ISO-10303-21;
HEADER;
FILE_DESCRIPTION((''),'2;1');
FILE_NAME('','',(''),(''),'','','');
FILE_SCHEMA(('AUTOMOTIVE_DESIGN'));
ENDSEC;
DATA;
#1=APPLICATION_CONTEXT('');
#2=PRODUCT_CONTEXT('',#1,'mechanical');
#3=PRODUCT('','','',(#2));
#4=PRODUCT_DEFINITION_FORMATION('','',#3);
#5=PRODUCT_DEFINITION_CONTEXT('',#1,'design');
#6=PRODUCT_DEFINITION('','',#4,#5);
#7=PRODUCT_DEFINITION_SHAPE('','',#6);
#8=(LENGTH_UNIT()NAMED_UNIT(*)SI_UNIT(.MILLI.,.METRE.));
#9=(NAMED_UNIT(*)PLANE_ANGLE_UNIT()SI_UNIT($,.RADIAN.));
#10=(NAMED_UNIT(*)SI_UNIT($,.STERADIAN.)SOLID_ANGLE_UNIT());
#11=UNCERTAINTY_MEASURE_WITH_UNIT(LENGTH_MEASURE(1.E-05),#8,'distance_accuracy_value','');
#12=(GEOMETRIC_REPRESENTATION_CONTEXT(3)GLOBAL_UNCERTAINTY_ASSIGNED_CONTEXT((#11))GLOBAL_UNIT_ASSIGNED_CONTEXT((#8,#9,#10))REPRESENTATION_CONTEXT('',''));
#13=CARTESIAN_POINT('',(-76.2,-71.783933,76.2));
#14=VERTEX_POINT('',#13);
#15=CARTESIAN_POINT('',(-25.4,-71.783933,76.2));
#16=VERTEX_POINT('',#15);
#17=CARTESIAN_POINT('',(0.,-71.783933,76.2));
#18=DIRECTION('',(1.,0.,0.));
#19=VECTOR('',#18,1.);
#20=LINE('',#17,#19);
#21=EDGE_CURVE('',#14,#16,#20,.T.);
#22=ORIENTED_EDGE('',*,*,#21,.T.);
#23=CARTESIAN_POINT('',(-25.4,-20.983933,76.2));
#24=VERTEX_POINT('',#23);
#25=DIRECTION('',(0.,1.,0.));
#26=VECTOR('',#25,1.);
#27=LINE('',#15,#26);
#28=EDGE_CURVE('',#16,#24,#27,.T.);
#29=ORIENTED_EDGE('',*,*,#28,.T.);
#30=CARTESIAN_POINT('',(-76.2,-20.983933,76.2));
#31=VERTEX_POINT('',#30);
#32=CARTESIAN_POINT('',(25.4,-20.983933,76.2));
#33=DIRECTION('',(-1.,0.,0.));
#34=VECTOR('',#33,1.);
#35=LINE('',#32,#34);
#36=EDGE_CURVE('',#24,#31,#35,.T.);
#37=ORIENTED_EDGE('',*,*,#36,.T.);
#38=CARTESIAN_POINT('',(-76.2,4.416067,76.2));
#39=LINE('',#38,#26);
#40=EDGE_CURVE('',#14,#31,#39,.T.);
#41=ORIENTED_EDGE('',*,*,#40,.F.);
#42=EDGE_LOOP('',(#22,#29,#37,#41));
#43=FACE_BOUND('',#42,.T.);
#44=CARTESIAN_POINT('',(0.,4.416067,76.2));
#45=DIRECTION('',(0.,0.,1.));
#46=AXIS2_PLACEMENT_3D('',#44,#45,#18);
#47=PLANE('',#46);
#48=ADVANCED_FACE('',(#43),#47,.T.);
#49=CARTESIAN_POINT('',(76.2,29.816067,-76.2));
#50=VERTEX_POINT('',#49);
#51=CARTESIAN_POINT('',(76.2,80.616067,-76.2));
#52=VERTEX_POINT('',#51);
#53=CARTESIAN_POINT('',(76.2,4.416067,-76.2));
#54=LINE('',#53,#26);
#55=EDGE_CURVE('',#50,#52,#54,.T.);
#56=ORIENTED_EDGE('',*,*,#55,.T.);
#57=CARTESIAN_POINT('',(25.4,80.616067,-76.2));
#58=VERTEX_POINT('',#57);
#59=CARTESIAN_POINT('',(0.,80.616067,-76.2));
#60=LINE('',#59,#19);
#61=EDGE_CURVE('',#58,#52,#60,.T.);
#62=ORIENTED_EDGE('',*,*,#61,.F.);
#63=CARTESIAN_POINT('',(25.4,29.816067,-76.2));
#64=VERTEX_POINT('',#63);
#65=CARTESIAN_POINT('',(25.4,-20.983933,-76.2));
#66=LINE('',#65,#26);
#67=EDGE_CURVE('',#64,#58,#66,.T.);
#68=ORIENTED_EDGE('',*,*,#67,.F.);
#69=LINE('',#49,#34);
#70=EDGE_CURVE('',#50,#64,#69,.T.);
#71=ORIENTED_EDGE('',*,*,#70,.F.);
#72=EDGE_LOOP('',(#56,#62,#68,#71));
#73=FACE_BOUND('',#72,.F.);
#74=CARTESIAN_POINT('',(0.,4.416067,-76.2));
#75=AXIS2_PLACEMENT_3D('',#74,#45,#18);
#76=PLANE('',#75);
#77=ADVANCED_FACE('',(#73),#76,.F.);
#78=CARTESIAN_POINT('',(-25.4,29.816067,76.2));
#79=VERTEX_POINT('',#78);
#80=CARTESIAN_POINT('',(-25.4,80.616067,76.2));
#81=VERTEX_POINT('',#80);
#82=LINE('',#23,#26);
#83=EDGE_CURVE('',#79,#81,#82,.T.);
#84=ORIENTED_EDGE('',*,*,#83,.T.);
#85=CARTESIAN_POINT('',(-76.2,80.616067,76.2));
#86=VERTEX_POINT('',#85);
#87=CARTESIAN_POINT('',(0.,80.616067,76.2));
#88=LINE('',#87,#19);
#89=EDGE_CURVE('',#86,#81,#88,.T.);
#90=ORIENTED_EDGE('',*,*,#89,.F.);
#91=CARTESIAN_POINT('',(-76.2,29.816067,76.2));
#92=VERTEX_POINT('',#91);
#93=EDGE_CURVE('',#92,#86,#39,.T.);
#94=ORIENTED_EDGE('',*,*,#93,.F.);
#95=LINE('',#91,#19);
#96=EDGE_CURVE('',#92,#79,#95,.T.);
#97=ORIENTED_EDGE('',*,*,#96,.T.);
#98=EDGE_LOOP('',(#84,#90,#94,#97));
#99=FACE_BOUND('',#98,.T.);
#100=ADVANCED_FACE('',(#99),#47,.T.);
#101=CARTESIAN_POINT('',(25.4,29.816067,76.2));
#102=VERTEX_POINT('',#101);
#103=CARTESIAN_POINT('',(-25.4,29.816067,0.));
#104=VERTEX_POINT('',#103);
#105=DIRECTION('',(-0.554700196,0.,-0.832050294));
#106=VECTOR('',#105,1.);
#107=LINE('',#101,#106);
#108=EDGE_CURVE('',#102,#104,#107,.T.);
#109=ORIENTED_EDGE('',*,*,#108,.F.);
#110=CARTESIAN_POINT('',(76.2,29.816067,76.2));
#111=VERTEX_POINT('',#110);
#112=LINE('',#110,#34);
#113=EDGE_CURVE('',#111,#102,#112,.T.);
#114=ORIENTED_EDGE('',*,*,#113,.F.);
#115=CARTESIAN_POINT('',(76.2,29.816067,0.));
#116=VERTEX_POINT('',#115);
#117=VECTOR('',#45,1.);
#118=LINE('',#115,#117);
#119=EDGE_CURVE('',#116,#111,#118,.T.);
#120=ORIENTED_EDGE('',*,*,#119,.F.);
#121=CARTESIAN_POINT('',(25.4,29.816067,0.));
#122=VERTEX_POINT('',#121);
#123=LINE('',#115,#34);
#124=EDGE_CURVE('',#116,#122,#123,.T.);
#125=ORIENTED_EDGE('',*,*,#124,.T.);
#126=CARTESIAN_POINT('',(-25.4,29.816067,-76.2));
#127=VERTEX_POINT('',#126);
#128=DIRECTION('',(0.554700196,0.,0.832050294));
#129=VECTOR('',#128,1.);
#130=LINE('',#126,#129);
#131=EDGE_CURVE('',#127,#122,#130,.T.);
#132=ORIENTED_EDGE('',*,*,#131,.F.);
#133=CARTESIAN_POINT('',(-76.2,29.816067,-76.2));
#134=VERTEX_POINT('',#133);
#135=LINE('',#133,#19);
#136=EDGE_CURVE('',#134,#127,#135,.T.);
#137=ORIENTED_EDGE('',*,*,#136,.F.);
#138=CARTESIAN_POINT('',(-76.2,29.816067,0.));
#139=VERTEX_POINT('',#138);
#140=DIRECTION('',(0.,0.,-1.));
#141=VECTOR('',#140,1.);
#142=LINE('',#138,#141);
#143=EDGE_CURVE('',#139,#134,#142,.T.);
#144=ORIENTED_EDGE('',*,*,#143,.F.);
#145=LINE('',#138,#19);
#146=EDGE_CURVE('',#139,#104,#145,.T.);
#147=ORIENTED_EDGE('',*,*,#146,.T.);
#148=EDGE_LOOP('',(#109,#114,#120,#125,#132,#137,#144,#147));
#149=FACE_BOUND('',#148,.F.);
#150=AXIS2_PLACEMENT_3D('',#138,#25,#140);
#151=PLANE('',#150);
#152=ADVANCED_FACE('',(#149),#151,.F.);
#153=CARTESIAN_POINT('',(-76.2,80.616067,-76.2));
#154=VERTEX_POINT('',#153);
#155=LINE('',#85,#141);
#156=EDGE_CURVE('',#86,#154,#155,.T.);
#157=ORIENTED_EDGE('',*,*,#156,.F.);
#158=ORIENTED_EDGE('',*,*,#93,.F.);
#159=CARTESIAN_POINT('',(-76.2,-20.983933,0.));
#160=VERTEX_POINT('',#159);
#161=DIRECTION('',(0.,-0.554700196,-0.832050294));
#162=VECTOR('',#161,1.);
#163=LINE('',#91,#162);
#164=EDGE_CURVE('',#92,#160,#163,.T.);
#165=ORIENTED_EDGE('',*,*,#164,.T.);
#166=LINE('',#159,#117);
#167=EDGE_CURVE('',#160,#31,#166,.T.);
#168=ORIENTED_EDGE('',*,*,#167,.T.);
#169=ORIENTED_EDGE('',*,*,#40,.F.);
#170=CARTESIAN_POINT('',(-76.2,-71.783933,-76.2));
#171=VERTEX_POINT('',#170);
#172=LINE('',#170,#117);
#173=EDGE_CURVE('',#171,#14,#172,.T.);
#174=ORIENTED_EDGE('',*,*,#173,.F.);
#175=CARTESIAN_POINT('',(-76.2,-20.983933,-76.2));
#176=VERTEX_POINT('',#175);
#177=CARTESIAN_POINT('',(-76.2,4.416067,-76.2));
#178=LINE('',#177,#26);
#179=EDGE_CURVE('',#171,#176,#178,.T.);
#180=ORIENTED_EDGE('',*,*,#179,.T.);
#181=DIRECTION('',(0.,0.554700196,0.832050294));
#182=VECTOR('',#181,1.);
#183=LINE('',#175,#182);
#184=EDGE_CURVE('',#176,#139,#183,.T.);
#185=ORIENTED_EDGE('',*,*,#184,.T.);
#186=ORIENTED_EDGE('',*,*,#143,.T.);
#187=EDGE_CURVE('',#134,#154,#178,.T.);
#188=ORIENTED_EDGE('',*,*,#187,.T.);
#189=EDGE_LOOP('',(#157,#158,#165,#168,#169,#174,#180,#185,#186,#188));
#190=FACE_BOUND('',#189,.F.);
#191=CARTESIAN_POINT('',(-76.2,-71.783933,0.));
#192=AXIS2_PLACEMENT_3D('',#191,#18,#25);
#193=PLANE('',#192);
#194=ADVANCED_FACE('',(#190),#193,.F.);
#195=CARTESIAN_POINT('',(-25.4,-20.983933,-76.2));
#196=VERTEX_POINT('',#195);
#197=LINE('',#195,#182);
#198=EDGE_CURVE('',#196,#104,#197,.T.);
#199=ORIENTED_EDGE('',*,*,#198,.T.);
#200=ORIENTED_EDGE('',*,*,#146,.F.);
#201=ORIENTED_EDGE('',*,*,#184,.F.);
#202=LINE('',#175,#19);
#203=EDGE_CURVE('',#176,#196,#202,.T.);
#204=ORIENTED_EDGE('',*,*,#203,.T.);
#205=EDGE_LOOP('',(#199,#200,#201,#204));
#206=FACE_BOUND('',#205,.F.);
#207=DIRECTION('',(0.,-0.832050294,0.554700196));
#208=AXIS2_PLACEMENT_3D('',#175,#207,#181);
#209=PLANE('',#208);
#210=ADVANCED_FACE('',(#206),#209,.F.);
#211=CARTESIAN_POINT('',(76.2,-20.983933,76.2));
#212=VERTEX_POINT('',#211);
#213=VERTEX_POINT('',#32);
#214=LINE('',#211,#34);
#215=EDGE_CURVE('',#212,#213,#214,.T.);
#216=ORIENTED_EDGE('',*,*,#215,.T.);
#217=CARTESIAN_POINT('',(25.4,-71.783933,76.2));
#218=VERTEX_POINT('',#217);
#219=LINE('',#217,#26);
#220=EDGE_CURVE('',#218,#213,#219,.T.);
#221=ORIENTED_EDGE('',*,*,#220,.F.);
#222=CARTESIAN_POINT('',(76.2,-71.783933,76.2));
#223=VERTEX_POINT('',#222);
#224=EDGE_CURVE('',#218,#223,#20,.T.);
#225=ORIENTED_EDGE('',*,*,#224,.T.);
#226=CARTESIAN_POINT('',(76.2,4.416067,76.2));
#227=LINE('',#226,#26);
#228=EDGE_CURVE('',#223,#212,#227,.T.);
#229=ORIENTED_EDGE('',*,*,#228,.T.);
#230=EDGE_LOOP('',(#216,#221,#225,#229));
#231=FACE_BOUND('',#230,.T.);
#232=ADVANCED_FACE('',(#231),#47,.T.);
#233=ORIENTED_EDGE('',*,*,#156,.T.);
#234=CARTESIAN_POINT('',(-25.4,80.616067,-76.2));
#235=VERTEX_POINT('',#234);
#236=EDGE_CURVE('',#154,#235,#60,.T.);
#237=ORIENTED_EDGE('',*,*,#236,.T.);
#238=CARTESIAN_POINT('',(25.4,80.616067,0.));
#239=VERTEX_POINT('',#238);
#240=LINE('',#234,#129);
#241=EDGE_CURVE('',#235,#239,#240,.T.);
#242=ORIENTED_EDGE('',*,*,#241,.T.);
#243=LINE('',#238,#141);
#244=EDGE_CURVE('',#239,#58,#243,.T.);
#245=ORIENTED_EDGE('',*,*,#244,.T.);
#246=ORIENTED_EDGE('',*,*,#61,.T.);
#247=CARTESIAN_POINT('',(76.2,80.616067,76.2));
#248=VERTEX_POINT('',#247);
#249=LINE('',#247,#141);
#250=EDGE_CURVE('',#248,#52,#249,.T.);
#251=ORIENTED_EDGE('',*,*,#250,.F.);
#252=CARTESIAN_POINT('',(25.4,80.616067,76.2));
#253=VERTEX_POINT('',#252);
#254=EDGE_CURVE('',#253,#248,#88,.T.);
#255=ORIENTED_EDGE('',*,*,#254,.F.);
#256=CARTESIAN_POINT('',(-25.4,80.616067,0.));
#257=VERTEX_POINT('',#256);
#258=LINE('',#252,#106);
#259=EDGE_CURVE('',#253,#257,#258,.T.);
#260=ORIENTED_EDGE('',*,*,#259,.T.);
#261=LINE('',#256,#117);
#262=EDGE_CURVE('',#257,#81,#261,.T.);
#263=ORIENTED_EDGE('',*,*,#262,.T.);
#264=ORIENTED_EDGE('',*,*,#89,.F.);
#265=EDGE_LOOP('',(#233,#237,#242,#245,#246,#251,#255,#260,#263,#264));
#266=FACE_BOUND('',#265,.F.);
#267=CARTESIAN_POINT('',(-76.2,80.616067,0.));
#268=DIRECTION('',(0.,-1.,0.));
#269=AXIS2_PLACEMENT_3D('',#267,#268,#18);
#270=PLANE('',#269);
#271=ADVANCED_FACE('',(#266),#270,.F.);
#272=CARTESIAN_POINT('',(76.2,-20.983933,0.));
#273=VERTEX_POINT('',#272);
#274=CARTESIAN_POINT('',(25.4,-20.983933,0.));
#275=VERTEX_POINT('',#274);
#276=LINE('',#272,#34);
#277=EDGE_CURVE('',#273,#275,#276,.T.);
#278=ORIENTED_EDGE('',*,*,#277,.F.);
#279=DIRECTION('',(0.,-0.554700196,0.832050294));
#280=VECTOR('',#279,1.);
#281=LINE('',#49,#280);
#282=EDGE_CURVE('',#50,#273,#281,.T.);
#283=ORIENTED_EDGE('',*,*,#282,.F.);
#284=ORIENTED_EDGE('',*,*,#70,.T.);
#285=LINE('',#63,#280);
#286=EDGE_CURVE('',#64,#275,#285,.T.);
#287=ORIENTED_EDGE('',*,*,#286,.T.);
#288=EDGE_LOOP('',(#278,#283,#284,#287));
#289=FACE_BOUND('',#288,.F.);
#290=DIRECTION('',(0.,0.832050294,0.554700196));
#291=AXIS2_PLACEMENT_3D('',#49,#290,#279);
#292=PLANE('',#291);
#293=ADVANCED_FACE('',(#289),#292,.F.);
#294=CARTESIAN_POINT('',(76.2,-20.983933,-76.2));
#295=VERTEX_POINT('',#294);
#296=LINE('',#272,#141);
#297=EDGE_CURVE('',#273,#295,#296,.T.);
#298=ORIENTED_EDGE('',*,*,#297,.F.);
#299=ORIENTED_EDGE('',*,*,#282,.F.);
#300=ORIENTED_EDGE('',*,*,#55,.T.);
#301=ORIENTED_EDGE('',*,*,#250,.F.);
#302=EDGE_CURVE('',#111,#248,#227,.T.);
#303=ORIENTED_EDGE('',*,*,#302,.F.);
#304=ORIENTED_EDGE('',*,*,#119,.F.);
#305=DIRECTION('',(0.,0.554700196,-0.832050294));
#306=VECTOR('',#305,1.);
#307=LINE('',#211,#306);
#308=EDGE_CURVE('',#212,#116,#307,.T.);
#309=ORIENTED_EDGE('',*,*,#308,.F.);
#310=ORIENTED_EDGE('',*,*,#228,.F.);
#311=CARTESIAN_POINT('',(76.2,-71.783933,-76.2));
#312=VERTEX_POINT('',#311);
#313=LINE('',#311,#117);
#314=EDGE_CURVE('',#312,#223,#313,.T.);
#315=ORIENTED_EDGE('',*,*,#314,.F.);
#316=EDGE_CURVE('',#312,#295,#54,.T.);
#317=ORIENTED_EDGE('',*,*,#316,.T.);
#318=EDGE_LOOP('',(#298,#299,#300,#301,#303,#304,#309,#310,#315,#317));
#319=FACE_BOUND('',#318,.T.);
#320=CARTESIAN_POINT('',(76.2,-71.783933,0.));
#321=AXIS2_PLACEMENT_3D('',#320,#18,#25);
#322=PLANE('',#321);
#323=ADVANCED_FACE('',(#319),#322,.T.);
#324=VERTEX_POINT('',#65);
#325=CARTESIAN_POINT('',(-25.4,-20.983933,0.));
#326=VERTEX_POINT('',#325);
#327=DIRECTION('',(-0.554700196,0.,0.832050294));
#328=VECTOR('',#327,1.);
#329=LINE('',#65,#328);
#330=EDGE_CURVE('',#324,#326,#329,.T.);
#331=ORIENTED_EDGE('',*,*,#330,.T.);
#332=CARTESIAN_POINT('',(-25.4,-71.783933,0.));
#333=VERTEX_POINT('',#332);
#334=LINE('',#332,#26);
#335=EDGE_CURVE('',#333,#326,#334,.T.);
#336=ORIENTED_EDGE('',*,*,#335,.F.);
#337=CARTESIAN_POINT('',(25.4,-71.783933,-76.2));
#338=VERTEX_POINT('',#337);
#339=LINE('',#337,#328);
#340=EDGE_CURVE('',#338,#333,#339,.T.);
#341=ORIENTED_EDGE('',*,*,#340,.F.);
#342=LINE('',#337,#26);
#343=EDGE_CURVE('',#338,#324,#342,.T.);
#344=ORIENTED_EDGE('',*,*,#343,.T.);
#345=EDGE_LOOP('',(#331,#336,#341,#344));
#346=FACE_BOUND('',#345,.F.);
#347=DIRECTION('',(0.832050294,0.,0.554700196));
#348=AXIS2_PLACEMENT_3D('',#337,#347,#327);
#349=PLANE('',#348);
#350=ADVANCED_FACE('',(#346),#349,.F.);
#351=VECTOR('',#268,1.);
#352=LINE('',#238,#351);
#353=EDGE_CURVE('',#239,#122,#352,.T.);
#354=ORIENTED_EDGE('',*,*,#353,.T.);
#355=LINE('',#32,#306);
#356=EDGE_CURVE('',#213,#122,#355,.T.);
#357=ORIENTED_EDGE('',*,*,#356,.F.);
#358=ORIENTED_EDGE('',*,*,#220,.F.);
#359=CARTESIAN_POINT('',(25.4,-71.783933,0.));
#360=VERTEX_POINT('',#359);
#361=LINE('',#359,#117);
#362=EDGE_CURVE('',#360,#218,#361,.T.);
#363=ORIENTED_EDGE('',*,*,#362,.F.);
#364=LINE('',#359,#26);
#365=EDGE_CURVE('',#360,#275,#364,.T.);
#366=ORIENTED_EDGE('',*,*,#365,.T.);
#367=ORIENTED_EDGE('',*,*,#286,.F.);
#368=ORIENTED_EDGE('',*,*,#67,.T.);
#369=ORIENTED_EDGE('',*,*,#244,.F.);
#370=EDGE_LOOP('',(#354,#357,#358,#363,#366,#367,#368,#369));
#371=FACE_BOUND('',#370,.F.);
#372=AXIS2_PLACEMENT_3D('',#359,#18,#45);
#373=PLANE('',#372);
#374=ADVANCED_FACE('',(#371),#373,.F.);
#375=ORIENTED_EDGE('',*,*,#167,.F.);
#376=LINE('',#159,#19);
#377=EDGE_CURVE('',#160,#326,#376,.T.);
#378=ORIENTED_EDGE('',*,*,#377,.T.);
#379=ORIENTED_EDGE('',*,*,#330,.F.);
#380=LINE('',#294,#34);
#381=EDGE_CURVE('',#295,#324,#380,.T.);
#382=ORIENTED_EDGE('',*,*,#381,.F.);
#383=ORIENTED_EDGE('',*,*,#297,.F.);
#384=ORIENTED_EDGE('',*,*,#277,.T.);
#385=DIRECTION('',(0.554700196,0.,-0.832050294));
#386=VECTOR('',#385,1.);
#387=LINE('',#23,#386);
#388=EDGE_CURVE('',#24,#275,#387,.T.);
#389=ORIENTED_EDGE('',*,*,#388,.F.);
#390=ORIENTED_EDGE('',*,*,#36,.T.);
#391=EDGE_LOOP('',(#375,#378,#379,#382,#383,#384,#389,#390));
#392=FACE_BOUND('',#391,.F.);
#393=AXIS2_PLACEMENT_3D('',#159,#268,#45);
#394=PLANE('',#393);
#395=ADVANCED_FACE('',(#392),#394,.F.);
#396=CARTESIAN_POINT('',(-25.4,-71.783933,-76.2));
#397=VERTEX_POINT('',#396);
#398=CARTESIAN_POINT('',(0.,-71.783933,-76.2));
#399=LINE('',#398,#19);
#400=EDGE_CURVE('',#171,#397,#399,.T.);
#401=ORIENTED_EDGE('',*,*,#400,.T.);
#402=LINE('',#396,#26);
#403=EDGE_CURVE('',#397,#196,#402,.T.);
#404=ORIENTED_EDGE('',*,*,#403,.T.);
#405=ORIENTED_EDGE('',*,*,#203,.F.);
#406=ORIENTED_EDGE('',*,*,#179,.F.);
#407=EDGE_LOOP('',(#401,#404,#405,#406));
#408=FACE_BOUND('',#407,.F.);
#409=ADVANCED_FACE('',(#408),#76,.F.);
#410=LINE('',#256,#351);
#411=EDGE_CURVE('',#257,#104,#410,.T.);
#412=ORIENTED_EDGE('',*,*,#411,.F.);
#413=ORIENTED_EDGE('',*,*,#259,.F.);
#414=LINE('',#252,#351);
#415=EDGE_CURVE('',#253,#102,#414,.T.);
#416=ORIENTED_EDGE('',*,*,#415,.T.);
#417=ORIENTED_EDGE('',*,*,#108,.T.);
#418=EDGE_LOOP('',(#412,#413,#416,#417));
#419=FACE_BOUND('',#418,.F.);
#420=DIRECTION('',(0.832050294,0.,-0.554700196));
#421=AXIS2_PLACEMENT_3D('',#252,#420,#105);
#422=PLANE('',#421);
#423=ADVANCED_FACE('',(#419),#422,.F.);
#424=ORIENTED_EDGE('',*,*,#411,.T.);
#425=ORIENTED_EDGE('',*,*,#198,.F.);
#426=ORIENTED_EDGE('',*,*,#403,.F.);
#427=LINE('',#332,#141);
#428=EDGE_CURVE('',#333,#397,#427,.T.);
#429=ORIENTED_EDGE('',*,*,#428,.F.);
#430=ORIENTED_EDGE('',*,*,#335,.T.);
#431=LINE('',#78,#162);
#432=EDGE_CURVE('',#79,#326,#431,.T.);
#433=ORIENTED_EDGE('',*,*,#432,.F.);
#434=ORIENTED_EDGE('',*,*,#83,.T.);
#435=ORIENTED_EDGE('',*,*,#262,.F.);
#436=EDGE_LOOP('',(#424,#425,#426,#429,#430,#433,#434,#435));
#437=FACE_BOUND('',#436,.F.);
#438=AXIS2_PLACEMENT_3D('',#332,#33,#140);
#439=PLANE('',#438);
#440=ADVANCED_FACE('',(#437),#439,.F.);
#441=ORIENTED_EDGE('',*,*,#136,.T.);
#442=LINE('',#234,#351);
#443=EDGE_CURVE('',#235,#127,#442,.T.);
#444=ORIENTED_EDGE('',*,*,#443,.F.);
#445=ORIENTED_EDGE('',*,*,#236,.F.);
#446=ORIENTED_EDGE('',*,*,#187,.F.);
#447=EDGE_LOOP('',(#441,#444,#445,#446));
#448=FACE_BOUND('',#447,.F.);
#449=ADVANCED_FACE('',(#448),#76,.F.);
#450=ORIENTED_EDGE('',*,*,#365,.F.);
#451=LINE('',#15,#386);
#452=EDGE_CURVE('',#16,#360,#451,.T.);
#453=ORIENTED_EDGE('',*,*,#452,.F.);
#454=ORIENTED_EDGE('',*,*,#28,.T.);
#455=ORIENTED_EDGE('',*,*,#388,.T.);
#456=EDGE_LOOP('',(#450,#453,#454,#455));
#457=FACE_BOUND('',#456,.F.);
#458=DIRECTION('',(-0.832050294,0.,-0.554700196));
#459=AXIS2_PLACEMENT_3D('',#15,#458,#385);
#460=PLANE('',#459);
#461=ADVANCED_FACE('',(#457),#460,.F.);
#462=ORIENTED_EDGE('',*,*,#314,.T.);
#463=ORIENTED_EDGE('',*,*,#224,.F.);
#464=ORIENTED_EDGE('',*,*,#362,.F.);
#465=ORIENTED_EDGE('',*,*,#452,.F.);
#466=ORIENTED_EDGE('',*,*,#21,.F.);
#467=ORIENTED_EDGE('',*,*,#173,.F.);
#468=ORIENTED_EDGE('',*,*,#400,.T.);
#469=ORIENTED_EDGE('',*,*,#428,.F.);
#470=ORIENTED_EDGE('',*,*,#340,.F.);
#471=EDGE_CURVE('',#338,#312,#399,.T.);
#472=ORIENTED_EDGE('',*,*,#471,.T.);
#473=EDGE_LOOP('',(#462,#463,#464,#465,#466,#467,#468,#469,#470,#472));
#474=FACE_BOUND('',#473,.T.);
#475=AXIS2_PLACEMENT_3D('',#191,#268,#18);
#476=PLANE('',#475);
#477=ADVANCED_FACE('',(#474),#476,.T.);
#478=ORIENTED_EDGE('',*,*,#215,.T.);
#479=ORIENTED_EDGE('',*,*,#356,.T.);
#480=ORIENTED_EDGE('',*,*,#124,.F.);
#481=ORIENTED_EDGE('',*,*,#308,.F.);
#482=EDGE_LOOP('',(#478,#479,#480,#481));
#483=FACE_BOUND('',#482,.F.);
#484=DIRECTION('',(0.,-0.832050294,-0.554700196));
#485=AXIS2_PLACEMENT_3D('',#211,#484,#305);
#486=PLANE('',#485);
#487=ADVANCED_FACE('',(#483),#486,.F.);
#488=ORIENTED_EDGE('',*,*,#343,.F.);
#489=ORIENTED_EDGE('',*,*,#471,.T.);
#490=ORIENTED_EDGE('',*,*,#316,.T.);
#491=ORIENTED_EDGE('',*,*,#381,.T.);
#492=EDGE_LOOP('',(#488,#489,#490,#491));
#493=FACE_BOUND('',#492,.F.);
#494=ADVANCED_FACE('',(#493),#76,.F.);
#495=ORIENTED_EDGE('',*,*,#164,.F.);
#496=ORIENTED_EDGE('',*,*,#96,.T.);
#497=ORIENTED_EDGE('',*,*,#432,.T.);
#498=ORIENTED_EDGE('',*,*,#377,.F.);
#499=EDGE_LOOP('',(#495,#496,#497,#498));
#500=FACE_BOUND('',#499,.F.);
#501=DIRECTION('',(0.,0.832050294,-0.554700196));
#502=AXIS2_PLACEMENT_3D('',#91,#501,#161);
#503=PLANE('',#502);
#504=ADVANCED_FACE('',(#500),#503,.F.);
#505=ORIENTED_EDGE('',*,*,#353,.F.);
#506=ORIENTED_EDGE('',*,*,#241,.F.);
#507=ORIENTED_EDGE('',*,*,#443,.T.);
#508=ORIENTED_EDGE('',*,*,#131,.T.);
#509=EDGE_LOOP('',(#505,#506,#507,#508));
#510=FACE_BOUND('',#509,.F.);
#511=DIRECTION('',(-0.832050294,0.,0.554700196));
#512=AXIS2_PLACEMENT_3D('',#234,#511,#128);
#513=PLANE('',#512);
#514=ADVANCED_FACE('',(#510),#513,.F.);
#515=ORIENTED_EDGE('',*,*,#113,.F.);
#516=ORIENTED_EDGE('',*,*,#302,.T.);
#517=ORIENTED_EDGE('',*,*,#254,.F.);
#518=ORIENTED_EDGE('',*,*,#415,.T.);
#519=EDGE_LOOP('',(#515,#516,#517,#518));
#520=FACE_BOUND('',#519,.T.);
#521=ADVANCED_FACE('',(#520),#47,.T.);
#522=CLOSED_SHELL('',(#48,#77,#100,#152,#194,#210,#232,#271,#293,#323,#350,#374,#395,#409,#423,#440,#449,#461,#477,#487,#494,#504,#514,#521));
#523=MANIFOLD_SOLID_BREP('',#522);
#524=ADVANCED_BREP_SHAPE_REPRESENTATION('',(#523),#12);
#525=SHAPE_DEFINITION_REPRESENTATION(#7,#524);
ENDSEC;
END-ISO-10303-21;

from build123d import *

# Parameters (mm, degrees)
F0_W      = 152.4
F0_H      = 152.4
F1_DEPTH  = 76.2
F2_W      = 25.4
F2_H      = 25.4
F3_DEPTH  = 152.401
F5_DEPTH  = 50.8
F7_DEPTH  = 50.8
F9_DEPTH  = 50.8
F11_DEPTH = 50.8


with BuildPart() as f1:
    # F0 (on Top) → F1 (new body, symmetric)
    with BuildSketch(Plane.XY):
        with Locations((0, 4.4160668929)):
            Rectangle(F0_W, F0_H)
    extrude(amount=F1_DEPTH, both=True)

    # F2 (on face) → F3 (cut, through all)
    with BuildSketch(Plane.XY.offset(76.2)):
        Polygon((0, 29.8160668929), (-25.4, 29.8160668929), (0, 4.4160668929), align=None)
        with Locations((12.7, 17.1160668929)):
            Rectangle(F2_W, F2_H)
        Polygon((25.4, 4.4160668929), (0, 4.4160668929), (25.4, -20.9839331071), align=None)
        Polygon((25.4, -20.9839331071), (0, 4.4160668929), (0, -20.9839331071), align=None)
        with Locations((-12.7, -8.2839331071)):
            Rectangle(F2_W, F2_H)
        Polygon((0, 4.4160668929), (-25.4, 29.8160668929), (-25.4, 4.4160668929), align=None)
    extrude(amount=-F3_DEPTH, mode=Mode.SUBTRACT)

    # F4 (on face) → F5 (cut)
    with BuildSketch(Plane(origin=(0, 80.6160668929, 0), x_dir=(-1, 0, 0), z_dir=(0, 1, 0))):
        Polygon((25.4, -76.2), (-25.4, 0), (-25.4, -76.2), align=None)
        Polygon((25.4, 76.2), (-25.4, 76.2), (25.4, 0), align=None)
    extrude(amount=-F5_DEPTH, mode=Mode.SUBTRACT)

    # F6 (on face) → F7 (cut)
    with BuildSketch(Plane(origin=(-76.2, 0, 0), x_dir=(0, -1, 0), z_dir=(-1, 0, 0))):
        Polygon((20.9839331071, -76.2), (-29.8160668929, 0), (-29.8160668929, -76.2), align=None)
        Polygon((20.9839331071, 76.2), (-29.8160668929, 76.2), (20.9839331071, 0), align=None)
    extrude(amount=-F7_DEPTH, mode=Mode.SUBTRACT)

    # F8 (on face) → F9 (cut)
    with BuildSketch(Plane.XZ.offset(71.7839331071)):
        Polygon((25.4, -76.2), (-25.4, 0), (-25.4, -76.2), align=None)
        Polygon((25.4, 76.2), (-25.4, 76.2), (25.4, 0), align=None)
    extrude(amount=-F9_DEPTH, mode=Mode.SUBTRACT)

    # F10 (on face) → F11 (cut)
    with BuildSketch(Plane.YZ.offset(76.2)):
        Polygon((29.8160668929, -76.2), (-20.9839331071, 0), (-20.9839331071, -76.2), align=None)
        Polygon((29.8160668929, 76.2), (-20.9839331071, 76.2), (29.8160668929, 0), align=None)
    extrude(amount=-F11_DEPTH, mode=Mode.SUBTRACT)


solid = f1.part
